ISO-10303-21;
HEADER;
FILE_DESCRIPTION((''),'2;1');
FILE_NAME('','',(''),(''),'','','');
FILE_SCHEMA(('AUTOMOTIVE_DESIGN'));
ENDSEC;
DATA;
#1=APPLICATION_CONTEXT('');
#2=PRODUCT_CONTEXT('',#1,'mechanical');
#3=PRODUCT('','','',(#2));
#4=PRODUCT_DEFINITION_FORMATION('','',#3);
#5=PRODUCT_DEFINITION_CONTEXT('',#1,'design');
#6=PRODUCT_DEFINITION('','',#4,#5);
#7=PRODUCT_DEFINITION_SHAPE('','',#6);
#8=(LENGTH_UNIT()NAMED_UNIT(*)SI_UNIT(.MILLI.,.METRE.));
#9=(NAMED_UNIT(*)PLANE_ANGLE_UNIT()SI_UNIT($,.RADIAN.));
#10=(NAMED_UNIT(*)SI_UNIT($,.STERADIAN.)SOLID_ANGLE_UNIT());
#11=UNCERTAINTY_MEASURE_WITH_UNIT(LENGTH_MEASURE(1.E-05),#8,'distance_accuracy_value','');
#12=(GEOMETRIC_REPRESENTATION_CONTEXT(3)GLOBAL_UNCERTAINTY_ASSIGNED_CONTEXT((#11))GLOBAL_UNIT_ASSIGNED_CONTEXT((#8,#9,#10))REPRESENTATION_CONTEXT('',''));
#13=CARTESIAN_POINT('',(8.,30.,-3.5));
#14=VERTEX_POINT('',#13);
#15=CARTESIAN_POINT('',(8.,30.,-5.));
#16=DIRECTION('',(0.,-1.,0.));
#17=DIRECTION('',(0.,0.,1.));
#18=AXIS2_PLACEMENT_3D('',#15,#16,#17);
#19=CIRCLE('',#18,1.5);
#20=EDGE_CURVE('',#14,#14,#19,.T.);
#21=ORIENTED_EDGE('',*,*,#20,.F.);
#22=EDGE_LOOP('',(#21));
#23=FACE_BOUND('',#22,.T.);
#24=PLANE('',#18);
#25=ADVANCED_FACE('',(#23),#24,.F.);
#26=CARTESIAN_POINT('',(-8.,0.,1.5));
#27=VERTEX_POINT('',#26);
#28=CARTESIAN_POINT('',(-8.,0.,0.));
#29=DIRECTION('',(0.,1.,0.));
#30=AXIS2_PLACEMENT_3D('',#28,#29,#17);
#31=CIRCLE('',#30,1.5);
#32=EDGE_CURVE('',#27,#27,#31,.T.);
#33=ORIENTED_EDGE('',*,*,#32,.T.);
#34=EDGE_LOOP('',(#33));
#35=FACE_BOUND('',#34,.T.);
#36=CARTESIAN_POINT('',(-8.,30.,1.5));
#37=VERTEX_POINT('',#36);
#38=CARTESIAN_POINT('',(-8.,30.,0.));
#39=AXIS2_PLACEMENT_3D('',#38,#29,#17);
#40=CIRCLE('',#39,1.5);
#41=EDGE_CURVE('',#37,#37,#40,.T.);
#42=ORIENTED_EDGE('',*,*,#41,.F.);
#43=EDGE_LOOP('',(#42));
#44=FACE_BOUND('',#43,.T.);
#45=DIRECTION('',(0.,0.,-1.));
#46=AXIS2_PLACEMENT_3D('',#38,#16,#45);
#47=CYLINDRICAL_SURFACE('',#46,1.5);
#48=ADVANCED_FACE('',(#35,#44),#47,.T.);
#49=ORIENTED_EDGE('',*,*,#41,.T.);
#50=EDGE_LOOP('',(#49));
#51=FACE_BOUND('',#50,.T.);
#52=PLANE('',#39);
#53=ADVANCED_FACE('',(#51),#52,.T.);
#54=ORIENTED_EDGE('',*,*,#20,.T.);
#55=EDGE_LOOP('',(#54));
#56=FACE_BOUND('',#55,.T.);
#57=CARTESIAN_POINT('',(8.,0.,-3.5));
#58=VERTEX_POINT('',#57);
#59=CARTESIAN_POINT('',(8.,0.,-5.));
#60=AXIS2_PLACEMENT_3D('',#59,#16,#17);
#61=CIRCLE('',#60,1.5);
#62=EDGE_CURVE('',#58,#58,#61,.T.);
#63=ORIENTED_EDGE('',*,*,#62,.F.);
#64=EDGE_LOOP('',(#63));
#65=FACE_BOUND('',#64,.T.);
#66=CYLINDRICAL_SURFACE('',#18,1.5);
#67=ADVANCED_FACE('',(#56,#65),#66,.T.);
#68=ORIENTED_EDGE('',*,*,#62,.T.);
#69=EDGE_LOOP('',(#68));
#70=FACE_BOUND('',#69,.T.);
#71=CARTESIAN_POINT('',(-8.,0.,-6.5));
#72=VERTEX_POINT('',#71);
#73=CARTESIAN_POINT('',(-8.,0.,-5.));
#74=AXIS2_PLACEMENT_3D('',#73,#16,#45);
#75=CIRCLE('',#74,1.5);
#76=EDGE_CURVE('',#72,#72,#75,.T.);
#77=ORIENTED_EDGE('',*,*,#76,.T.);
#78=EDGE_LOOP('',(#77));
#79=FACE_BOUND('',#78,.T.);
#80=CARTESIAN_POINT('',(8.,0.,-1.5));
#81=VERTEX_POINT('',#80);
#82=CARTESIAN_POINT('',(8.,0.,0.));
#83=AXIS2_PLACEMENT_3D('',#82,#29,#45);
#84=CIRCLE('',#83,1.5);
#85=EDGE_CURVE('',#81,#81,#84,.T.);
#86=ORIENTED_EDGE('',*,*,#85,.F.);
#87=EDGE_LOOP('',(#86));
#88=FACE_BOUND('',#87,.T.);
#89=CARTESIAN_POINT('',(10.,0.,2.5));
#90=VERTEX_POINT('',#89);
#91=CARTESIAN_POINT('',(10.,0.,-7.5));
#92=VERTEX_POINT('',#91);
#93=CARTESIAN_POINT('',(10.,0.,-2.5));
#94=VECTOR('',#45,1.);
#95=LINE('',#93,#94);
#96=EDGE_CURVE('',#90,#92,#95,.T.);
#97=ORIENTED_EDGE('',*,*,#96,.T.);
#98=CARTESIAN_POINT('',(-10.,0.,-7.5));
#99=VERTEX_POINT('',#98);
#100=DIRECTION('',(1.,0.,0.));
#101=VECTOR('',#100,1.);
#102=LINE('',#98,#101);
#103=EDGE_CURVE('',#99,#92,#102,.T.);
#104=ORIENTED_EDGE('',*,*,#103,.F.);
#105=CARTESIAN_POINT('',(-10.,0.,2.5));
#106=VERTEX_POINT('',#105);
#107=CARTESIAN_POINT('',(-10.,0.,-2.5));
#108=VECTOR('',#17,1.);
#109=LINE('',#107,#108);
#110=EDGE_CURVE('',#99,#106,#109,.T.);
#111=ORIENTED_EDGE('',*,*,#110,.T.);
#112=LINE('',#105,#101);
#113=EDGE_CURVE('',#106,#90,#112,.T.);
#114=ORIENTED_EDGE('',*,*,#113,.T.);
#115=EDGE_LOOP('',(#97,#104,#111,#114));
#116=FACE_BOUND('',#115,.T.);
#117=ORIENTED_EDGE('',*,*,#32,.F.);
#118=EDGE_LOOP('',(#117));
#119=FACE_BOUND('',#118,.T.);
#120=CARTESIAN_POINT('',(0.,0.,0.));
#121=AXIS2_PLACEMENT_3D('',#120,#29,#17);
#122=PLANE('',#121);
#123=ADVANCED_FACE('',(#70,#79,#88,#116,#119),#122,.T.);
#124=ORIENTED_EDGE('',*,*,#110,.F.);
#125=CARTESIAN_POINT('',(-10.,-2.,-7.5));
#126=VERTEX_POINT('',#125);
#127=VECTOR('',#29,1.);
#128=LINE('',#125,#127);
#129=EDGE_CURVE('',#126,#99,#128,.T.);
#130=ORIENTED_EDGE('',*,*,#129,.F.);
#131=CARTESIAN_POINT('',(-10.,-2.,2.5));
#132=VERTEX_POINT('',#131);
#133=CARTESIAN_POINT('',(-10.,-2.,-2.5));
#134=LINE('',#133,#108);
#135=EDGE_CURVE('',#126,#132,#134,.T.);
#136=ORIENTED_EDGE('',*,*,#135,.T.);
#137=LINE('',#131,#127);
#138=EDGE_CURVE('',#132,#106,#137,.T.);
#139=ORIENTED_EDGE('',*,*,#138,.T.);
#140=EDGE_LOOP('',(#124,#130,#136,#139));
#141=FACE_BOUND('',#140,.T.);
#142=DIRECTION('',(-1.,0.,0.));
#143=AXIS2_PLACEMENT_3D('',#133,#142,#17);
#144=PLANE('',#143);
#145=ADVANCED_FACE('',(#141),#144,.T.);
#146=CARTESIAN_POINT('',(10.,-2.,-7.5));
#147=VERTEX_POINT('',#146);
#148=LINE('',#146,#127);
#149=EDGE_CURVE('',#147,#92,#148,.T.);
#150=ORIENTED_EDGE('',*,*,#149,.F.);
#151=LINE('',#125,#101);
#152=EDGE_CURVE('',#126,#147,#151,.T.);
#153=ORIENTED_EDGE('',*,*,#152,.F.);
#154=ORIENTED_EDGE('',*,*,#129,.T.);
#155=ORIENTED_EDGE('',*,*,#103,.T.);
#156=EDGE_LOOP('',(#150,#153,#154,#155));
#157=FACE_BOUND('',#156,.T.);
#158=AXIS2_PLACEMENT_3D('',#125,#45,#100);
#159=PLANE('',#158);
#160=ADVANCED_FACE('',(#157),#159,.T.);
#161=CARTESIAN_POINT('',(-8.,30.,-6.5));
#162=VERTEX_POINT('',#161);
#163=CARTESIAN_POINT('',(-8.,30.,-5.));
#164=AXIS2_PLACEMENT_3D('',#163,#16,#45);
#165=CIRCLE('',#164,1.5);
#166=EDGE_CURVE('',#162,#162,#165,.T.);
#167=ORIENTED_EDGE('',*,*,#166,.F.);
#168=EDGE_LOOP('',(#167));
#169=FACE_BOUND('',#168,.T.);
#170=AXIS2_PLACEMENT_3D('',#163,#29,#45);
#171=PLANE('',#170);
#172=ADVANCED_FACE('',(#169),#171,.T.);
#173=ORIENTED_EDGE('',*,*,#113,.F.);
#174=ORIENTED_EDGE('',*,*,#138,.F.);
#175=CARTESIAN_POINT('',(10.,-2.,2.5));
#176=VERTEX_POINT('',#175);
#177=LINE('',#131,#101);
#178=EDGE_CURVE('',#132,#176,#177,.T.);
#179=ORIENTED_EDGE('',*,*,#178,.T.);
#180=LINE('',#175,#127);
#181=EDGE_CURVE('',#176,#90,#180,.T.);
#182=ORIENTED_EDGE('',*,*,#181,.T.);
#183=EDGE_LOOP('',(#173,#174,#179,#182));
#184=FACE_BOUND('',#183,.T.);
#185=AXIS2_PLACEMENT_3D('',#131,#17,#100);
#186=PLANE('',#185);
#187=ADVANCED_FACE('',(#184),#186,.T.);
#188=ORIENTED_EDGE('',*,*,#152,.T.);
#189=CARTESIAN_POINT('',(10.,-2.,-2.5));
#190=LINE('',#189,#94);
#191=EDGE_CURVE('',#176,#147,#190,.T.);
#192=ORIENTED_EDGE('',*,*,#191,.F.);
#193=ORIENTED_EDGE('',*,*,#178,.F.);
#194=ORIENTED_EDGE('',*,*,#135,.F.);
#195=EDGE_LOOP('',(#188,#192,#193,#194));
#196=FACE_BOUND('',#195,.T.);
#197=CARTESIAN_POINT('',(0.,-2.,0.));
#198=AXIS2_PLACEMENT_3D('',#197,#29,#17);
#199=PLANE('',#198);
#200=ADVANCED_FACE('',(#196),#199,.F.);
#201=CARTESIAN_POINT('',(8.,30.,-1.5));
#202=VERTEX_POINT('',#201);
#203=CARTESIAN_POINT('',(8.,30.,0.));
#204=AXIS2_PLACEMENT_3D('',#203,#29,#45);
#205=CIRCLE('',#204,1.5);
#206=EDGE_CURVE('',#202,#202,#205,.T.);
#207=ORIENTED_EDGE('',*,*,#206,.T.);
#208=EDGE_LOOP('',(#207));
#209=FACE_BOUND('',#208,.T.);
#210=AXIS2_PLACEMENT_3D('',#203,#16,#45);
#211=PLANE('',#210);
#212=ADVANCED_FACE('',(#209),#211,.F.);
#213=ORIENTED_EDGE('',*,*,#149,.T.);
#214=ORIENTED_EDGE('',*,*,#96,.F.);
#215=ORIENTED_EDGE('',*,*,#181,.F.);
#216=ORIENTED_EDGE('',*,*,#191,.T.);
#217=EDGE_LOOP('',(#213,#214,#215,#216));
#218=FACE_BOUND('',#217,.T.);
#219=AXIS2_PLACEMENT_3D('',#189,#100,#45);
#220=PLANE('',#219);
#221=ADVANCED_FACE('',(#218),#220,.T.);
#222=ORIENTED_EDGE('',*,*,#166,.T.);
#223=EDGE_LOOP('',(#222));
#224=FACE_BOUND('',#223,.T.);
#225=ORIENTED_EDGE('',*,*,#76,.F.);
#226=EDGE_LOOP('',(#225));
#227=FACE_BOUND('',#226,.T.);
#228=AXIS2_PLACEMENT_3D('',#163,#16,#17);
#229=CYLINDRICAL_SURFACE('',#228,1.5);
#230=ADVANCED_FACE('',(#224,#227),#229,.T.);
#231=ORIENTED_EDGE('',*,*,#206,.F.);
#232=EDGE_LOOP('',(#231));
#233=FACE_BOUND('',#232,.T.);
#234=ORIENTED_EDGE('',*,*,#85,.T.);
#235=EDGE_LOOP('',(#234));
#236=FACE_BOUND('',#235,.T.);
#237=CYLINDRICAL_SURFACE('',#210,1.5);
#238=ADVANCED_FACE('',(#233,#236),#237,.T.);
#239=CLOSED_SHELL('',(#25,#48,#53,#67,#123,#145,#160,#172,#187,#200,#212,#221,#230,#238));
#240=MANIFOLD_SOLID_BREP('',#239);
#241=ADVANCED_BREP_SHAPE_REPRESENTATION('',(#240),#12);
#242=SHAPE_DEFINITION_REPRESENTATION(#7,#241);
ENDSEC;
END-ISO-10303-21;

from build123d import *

# Parameters (mm, degrees)
SKETCH_1_W      = 20
SKETCH_1_H      = 5
EXTRUDE_2_DEPTH = 2
SKETCH_4_R      = 1.5
EXTRUDE_3_DEPTH = 30


with BuildPart() as part:
    # 草图1 → 凸台-拉伸2 (new body)
    with BuildSketch(Plane(origin=(0, 0, 0), x_dir=(1, 0, 0), z_dir=(0, 1, 0))):
        Rectangle(SKETCH_1_W, SKETCH_1_H)
    extrude_2 = extrude(amount=-EXTRUDE_2_DEPTH)

    # 草图4 → 凸台-拉伸3 (add)
    with BuildSketch(Plane(origin=(0, 0, 0), x_dir=(1, 0, 0), z_dir=(0, 1, 0))):
        with Locations(Location((-8, 0, 0), (0, 0, 270))):
            Circle(SKETCH_4_R)
        with Locations(Location((8, 0, 0), (0, 0, 90))):
            Circle(SKETCH_4_R)
    extrude_3 = extrude(amount=EXTRUDE_3_DEPTH)

    # 镜向1: 凸台-拉伸2, 凸台-拉伸3 across plane
    add(extrude_2.mirror(Plane(origin=(0, 0, -2.5), x_dir=(1, 0, 0), z_dir=(0, 0, -1))))
    add(extrude_3.mirror(Plane(origin=(0, 0, -2.5), x_dir=(1, 0, 0), z_dir=(0, 0, -1))))


solid = part.part
